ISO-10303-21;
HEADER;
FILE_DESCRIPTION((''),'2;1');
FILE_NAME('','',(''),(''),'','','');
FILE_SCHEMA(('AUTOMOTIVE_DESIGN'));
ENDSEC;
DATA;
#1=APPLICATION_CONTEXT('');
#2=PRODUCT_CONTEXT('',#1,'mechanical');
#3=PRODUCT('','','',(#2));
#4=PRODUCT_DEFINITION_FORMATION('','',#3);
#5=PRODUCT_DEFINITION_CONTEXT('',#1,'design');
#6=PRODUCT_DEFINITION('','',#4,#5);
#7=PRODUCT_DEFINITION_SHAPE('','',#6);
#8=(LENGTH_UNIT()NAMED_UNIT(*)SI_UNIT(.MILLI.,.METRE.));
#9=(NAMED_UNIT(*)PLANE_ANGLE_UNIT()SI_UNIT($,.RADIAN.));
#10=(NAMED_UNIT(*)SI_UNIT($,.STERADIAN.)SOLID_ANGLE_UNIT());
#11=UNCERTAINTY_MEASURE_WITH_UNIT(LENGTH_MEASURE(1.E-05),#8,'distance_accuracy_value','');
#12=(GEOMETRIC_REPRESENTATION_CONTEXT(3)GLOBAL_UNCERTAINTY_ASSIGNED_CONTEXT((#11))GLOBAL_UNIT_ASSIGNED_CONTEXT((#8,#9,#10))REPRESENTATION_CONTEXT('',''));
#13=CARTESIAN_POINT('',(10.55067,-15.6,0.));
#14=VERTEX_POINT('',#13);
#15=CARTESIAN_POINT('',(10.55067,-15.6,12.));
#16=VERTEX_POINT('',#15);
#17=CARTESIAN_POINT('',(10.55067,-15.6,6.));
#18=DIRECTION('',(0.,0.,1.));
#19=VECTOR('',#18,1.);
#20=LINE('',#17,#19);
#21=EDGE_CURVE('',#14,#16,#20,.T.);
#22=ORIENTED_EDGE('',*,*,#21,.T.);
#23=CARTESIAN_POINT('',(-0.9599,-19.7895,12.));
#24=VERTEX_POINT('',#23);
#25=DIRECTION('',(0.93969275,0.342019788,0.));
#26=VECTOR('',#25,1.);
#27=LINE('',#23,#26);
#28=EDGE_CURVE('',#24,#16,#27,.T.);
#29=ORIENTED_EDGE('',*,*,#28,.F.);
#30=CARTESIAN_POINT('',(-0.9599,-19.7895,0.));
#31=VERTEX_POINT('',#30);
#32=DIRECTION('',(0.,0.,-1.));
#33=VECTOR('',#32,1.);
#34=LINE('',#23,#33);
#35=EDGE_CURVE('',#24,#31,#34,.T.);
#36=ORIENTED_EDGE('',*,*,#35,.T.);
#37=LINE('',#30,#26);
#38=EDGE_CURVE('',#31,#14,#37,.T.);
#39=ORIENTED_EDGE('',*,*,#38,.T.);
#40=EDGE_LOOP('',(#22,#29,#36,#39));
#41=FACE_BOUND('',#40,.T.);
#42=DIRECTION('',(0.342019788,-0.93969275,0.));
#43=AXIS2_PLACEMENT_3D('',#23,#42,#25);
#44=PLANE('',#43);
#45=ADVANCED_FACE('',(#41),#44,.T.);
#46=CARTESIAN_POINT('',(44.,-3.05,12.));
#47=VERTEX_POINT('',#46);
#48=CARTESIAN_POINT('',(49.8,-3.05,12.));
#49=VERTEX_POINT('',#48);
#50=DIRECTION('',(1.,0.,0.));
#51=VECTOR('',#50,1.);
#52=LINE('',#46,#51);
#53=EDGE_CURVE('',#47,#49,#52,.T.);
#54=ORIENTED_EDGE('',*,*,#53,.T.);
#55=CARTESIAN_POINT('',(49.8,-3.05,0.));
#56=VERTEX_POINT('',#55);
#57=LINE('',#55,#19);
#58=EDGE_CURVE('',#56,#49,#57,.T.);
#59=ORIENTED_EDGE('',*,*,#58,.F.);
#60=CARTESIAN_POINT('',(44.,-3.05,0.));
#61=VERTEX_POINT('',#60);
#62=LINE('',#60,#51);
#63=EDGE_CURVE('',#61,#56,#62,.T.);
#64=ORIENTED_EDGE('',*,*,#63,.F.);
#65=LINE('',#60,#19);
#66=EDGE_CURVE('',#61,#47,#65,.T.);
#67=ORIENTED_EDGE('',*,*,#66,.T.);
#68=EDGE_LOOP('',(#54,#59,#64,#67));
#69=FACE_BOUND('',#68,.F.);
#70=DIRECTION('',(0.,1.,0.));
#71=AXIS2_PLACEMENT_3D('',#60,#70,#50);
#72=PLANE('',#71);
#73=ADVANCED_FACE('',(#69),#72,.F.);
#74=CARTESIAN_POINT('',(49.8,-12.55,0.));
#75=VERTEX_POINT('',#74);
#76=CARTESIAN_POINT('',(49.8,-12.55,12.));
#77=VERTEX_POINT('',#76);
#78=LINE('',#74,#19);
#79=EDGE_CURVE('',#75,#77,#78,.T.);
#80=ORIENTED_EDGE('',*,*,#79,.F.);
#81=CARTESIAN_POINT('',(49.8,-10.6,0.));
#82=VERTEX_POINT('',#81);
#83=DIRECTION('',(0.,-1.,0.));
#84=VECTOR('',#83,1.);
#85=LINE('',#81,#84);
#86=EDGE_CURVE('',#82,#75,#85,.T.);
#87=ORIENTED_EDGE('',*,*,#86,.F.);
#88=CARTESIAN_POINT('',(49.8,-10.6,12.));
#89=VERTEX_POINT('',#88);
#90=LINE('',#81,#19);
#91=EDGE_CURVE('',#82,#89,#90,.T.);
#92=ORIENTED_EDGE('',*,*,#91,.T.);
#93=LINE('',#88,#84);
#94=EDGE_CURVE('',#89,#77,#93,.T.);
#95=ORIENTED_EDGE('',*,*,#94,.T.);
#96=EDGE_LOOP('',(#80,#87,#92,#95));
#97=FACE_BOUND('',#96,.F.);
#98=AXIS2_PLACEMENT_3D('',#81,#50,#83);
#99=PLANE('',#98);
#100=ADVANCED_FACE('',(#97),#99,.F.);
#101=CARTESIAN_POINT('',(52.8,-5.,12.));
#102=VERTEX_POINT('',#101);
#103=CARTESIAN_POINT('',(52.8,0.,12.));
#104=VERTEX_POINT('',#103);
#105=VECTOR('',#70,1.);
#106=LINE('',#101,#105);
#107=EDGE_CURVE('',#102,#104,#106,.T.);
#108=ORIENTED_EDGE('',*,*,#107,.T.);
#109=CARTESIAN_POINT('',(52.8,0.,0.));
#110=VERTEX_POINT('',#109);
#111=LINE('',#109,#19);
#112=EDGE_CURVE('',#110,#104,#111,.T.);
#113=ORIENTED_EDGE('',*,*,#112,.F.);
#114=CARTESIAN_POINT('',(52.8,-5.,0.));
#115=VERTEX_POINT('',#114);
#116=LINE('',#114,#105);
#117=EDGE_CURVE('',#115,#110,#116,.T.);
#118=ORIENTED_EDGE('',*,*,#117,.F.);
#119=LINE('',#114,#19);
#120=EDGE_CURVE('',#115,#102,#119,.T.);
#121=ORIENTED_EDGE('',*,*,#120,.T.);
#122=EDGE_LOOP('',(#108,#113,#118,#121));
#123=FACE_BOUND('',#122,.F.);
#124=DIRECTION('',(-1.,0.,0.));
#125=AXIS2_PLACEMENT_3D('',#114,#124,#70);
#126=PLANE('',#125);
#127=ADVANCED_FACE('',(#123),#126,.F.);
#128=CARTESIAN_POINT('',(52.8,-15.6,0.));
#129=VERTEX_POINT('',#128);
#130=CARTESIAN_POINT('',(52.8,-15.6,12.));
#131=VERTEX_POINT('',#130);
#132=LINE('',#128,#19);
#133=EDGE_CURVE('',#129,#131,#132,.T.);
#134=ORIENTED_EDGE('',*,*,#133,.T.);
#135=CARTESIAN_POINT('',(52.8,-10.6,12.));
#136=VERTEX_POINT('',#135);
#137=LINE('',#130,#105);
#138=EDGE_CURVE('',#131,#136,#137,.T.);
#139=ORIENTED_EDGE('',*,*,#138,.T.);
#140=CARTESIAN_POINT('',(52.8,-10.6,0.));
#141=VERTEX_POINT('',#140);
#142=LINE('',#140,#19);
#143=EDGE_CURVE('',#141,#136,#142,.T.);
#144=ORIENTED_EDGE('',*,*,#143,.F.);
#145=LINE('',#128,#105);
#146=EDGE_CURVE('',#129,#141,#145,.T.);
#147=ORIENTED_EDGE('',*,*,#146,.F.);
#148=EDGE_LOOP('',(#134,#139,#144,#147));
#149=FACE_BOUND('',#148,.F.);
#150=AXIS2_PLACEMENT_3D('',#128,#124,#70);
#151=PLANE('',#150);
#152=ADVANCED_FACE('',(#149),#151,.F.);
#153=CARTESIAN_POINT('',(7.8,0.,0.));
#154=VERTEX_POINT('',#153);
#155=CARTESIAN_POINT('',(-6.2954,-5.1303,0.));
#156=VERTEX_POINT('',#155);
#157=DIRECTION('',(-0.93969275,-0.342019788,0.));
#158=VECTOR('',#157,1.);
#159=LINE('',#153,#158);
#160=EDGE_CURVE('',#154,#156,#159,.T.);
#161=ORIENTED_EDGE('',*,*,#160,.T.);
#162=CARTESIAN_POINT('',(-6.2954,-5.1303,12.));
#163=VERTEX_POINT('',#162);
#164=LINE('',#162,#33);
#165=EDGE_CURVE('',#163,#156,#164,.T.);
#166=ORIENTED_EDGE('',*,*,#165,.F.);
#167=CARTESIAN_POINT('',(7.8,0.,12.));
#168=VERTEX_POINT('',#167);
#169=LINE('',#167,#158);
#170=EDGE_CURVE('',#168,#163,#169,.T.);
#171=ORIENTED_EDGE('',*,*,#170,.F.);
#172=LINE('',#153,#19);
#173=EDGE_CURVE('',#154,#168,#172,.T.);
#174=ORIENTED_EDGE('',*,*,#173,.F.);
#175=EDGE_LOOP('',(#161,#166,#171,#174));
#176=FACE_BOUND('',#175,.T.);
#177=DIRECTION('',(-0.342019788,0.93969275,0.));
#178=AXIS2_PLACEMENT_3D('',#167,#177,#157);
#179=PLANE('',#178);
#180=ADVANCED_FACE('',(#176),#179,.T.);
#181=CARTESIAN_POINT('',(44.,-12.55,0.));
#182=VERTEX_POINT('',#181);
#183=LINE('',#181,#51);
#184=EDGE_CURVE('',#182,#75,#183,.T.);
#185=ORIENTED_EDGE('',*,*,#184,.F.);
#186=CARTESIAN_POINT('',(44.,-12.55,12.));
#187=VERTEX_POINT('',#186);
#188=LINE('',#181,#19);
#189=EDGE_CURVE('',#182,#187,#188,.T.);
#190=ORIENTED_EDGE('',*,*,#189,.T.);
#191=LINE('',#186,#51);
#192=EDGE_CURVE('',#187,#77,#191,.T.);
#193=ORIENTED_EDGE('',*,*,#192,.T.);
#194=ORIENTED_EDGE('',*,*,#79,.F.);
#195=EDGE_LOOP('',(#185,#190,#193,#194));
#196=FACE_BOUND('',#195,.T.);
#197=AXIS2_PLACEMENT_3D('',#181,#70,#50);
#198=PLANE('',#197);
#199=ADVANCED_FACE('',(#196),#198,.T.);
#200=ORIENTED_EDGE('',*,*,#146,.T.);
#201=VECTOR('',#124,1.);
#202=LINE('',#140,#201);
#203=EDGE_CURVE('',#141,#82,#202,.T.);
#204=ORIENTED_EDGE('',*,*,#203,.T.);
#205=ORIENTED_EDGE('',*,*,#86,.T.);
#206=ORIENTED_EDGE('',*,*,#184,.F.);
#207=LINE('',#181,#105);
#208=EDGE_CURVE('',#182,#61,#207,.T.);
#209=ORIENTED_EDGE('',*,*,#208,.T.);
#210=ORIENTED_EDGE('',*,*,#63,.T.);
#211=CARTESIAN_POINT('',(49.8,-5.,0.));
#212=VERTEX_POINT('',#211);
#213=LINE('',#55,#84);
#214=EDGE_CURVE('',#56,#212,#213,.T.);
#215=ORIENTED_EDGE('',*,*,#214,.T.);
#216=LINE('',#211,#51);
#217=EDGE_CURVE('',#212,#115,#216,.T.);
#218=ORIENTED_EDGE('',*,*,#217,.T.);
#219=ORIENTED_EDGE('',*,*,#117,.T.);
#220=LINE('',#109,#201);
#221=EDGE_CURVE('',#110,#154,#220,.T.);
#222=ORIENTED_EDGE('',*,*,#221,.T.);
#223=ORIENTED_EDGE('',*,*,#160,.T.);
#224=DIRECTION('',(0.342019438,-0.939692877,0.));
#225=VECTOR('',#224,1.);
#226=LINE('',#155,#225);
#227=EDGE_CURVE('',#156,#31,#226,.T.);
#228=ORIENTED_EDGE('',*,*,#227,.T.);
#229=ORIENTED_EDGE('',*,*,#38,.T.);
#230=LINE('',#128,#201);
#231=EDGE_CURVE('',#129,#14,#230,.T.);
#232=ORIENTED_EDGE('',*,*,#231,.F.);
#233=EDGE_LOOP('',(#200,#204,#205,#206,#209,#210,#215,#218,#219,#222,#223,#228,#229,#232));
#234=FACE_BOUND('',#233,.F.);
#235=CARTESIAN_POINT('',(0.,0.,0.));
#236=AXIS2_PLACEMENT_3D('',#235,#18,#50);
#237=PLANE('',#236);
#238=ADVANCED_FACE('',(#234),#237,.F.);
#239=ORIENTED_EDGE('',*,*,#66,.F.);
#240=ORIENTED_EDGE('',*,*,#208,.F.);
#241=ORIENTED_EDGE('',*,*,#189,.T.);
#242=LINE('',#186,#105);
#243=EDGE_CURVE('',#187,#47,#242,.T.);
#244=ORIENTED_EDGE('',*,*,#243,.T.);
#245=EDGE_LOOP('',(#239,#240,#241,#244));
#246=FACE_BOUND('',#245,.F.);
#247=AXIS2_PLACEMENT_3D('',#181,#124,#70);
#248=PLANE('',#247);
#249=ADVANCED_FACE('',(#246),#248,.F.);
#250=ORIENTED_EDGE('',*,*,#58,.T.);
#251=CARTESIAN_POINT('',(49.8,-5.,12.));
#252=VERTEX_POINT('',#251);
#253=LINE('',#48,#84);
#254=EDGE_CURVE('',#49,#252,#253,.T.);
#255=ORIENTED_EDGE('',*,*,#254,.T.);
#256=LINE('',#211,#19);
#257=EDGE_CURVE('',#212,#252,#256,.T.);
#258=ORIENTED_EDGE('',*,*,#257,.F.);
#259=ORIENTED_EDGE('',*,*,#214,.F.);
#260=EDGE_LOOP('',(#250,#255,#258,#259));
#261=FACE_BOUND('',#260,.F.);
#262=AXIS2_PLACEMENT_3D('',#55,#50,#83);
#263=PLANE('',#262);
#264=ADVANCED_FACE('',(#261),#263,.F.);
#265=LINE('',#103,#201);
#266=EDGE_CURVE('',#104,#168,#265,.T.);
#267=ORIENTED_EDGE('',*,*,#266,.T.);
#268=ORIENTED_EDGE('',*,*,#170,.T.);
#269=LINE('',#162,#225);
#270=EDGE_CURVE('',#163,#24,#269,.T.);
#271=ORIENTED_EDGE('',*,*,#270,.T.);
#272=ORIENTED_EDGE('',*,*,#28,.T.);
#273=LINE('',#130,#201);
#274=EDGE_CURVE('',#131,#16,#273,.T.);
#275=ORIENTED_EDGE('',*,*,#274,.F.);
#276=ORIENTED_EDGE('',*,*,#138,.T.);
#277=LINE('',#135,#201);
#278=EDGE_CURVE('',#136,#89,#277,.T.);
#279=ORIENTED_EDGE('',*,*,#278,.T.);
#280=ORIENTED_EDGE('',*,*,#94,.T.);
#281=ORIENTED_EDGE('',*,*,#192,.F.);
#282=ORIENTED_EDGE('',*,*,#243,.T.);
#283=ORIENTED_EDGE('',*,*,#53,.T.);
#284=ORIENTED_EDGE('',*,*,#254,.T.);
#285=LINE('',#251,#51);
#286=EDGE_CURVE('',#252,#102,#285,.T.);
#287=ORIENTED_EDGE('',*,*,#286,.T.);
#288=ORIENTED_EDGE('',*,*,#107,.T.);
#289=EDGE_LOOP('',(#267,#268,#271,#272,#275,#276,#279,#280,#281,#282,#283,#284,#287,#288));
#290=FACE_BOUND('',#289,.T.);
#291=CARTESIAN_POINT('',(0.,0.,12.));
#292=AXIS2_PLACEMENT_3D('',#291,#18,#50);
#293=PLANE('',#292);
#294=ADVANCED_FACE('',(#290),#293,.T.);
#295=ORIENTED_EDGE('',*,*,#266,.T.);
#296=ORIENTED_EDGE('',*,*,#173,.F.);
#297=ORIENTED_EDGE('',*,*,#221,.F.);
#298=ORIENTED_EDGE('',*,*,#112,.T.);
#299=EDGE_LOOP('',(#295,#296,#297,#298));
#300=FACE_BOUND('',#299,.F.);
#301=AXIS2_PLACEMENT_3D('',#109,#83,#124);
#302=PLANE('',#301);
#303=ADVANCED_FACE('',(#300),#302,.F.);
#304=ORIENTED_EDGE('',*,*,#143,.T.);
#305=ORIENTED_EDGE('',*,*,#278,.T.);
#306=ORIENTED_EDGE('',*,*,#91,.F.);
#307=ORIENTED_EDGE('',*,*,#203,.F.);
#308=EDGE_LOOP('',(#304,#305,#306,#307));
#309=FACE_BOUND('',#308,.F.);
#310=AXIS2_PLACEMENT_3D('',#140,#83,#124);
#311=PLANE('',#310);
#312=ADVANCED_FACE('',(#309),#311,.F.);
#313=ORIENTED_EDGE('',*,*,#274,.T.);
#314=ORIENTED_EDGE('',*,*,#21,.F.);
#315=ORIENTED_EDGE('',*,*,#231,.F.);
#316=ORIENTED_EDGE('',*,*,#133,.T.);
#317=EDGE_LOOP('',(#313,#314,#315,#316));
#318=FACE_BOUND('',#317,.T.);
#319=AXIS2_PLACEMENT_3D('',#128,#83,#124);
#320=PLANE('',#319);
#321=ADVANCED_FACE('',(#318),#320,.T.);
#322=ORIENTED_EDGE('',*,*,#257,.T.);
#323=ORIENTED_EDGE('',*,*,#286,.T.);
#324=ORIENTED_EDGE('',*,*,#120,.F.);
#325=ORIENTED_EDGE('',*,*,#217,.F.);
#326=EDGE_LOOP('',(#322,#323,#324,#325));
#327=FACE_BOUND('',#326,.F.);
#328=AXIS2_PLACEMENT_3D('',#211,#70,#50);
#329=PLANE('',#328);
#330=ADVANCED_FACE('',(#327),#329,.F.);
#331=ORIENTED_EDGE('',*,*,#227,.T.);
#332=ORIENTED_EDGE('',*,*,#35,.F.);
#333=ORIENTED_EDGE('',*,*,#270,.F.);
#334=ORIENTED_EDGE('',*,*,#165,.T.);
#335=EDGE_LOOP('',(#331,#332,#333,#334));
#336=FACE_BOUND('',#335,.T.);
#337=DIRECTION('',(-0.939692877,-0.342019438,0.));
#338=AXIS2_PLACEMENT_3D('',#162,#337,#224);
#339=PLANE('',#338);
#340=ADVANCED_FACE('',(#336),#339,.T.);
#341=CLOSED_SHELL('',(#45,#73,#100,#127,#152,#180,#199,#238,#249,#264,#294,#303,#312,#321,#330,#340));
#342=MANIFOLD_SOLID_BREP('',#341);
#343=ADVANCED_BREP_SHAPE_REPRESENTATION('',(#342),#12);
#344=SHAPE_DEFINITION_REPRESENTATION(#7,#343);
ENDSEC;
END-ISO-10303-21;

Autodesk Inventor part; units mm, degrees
ref_plane "YZ Plane" through (0, 0, 0) normal (1, 0, 0) x (0, 1, 0)
ref_plane "XZ Plane" through (0, 0, 0) normal (0, 1, 0) x (-1, 0, 0)
ref_plane "XY Plane" through (0, 0, 0) normal (0, 0, 1) x (1, 0, 0)
sketch "Sketch5" plane through (0, 0, 0) normal (0, 0, 1) x (1, 0, 0)
  line L0 (52.8, -15.6) -> (52.8, -10.6)
  line L1 (52.8, -10.6) -> (49.8, -10.6)
  line L2 (49.8, -10.6) -> (49.8, -12.55)
  line L3 (44, -12.55) -> (44, -3.05)
  line L4 (49.8, -3.05) -> (49.8, -5)
  line L5 (49.8, -5) -> (52.8, -5)
  line L6 (52.8, -5) -> (52.8, 0)
  line L7 (52.8, 0) -> (7.8, 0)
  line L8 (44, -3.05) -> (49.8, -3.05)
  line L9 (44, -12.55) -> (49.8, -12.55)
  line L10 (52.8, -15.6) -> (7.8, -15.6)
  arc A0 (7.8, 0) -> (7.8, -15.6) centre (7.8, -7.8) ccw
  point P0 (0, 0)
  dimension "d41" = 5.8
  dimension "d48" = 44
  dimension "d50" = 3
  dimension "d63" = 45
  dimension "d67" = 15.6
  dimension "d71" = 0
  dimension "d72" = 36.2
  dimension "d80" = 5.6
  dimension "d81" = 9.5
extrude "Extrusion2" add sketch "Sketch5" along normal blind 12
sketch "Sketch7" plane through (0, 0, 12) normal (0, 0, 1) x (1, 0, 0)
  line L0 (52.8, 0) -> (7.8, 0) projected
  line L1 (7.8, 0) -> (0, 0)
  line L2 (0, 0) -> (0, -15.6)
  line L3 (0, -15.6) -> (7.8, -15.6)
  line L4 (7.8, -15.6) -> (7.8, 0)
  point P0 (0, 0)
extrude "Extrusion4" cut sketch "Sketch7" against normal through all
sketch "Sketch9" plane through (0, 0, 12) normal (0, 0, 1) x (1, 0, 0)
  line L0 (52.8, 0) -> (7.8, 0) projected
  line L1 (7.8, 0) -> (-6.2954, -5.1303)
  line L2 (-6.2954, -5.1303) -> (-0.9599, -19.7895)
  line L3 (-0.9599, -19.7895) -> (13.1355, -14.6592)
  line L4 (7.8, 0) -> (13.1355, -14.6592)
  line L5 (7.8, 0) -> (7.8, -15.6) projected
  point P0 (0, 0)
  dimension "d83" = 15.6
  dimension "d84" = 20
  dimension "d85" = 90
  dimension "d86" = 20
  dimension "d87" = 15
  dimension "d90" = 15
extrude "Extrusion5" add sketch "Sketch9" against normal up to surface (12 mm away)
equation "\"l1\" = 8"
properties part number "Finray_test_8_Flach_winkel10deg"
